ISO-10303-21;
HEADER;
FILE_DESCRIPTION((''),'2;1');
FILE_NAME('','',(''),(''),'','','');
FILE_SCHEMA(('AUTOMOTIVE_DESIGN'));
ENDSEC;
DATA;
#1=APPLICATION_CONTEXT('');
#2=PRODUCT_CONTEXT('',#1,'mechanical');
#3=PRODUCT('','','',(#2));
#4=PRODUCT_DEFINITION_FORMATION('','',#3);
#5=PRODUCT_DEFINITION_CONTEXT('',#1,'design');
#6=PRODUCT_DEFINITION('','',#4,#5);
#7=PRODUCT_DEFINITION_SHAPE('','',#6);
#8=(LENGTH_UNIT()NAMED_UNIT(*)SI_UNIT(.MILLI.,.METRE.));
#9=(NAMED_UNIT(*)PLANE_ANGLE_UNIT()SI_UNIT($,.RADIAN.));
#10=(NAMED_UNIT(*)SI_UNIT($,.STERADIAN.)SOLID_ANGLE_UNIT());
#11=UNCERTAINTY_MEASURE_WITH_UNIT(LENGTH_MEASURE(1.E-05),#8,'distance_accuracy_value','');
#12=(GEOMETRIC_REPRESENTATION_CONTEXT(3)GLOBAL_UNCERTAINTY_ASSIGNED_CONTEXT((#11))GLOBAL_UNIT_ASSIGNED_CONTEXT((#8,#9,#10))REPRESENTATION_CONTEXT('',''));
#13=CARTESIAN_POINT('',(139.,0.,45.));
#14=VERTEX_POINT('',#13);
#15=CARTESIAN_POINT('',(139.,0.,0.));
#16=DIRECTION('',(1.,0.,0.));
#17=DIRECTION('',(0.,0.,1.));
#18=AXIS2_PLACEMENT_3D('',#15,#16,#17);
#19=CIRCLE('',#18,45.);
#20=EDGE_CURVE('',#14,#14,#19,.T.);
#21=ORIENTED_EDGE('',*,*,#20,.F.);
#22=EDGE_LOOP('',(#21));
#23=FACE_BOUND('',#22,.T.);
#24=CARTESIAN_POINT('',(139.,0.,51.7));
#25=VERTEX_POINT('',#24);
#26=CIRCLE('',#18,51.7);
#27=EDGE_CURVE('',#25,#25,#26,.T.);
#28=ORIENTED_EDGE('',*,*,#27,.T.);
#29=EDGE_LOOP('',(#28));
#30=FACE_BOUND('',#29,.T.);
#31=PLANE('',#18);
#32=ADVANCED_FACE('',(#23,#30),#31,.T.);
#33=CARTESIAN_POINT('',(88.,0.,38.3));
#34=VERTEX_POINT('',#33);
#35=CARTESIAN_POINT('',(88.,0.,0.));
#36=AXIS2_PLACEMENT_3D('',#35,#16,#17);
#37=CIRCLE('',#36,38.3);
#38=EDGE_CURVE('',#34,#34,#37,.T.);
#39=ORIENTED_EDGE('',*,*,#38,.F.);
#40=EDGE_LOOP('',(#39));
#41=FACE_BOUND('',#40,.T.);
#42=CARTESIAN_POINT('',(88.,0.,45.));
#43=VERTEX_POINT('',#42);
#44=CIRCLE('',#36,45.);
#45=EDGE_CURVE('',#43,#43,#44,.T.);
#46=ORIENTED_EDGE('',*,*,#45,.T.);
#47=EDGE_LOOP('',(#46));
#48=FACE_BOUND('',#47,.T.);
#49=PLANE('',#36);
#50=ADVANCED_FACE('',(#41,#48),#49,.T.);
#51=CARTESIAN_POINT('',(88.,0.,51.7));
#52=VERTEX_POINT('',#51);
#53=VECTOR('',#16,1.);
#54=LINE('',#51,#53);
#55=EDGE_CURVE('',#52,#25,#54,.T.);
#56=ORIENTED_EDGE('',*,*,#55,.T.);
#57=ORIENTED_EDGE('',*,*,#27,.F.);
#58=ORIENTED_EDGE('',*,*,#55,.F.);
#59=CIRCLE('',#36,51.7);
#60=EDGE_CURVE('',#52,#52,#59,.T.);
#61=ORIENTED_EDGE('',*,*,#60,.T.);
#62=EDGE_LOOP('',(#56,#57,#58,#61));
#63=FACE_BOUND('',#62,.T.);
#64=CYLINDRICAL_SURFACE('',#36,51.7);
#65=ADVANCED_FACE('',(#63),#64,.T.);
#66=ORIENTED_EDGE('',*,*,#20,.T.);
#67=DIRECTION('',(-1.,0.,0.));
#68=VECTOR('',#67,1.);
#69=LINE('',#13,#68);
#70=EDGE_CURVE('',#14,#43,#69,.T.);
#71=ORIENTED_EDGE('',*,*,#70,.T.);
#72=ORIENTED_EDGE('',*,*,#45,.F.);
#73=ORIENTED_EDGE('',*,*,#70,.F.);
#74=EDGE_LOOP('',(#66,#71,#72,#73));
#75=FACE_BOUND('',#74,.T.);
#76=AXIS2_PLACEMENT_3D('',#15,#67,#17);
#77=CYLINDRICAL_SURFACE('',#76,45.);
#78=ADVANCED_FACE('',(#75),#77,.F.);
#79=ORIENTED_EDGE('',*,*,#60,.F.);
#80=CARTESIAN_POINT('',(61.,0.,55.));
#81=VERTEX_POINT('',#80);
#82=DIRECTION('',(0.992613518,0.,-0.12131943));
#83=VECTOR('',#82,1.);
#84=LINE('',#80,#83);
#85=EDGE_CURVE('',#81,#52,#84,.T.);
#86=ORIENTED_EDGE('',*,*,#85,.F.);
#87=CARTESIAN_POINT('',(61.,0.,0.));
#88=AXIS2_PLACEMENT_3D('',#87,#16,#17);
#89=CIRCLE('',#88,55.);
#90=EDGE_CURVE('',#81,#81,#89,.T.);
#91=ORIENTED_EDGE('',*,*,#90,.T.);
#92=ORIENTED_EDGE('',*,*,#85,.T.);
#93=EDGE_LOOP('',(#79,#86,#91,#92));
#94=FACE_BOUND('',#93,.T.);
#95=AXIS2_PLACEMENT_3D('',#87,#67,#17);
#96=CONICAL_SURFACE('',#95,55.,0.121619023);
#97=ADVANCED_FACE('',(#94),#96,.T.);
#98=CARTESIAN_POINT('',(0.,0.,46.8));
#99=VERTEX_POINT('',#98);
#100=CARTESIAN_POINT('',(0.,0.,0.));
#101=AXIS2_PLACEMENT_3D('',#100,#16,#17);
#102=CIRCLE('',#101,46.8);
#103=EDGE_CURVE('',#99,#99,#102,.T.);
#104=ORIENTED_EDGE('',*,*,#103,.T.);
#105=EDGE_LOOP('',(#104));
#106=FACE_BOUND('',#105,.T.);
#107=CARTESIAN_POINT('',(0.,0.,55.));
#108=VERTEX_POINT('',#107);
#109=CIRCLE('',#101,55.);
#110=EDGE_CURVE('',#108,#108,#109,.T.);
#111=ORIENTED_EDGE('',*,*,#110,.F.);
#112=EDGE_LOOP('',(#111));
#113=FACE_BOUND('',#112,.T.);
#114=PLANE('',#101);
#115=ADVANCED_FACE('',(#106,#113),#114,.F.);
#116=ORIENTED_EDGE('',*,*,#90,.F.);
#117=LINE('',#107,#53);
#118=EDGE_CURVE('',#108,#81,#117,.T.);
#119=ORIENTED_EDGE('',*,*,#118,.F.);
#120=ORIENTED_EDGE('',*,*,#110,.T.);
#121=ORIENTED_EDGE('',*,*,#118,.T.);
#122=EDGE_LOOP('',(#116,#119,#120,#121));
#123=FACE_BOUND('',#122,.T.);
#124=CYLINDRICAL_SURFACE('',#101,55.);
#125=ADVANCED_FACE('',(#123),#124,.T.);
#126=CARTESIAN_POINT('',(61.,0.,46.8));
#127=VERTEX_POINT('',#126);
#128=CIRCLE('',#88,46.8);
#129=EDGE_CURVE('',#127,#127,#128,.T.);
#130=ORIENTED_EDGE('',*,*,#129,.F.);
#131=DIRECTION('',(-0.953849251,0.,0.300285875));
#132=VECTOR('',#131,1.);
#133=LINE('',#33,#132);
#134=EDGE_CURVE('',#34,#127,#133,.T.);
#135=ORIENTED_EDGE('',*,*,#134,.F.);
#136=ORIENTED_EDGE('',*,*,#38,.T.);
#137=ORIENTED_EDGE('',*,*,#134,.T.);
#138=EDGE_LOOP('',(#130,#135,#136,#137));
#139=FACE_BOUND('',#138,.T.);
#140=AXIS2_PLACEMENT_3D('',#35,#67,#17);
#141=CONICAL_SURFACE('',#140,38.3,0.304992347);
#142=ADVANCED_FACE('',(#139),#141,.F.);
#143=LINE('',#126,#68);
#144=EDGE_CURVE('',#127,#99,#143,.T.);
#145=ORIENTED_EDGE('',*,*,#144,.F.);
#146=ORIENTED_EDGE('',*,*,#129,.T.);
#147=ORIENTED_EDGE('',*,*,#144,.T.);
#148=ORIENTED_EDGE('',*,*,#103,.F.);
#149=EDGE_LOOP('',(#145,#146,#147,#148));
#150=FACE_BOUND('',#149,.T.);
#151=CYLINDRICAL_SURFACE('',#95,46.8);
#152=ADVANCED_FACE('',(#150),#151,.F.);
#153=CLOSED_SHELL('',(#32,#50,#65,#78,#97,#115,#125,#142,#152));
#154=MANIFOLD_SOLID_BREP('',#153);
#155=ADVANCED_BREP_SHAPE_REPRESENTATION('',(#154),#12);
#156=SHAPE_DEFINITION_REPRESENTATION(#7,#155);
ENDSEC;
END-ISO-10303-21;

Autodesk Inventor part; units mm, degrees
ref_plane "YZ Plane" through (0, 0, 0) normal (1, 0, 0) x (0, 1, 0)
ref_plane "XZ Plane" through (0, 0, 0) normal (0, 1, 0) x (-1, 0, 0)
ref_plane "XY Plane" through (0, 0, 0) normal (0, 0, 1) x (1, 0, 0)
sketch "Sketch1" plane through (0, 0, 0) normal (0, 1, 0) x (-1, 0, 0)
  line L0 (0, 0) -> (-139, 0)
  line L1 (0, 0) -> (0, 46.8) construction
  line L2 (0, 46.8) -> (0, 55)
  line L3 (0, 55) -> (-61, 55)
  line L4 (-61, 55) -> (-88, 51.7)
  line L5 (-88, 51.7) -> (-139, 51.7)
  line L6 (-139, 51.7) -> (-139, 45)
  line L7 (-139, 45) -> (-88, 45)
  line L8 (-88, 45) -> (-88, 38.3)
  line L9 (-88, 38.3) -> (-61, 46.8)
  line L10 (-61, 46.8) -> (0, 46.8)
  line L11 (-139, 45) -> (-139, 0) construction
  line L12 (-88, 38.3) -> (-88, 0) construction
  line L13 (-88, 51.7) -> (-88, 45) construction
  line L14 (-61, 55) -> (-61, 46.8) construction
  line L15 (-61, 46.8) -> (-61, 0) construction
  dimension "d0" = 6.7
  dimension "d1" = 13.4
  dimension "d2" = 8.2
  dimension "d3" = 55
  dimension "d4" = 45
  dimension "d5" = 51
  dimension "d6" = 61
  dimension "d7" = 88
revolve "Revolve1" add sketch "Sketch1" angle 360 about axis through (0, 0, 0) along (1, 0, 0)
equation "\"d0\" = s2"
equation "\"d1\" = 2 * s2"
equation "\"d2\" = s1"
equation "\"d3\" = 0.5 * D1"
equation "\"d4\" = 0.5 * D2"
equation "\"d5\" = t2"
equation "\"d6\" = t1"
equation "\"d7\" = Z1"
equation "\"Z1\" = 88"
equation "\"t2\" = 51"
equation "\"s1\" = 8.2"
equation "\"s2\" = 6.7"
equation "\"t1\" = 61"
equation "\"Size_Designation\" = 1.2345"
equation "\"D1\" = 110"
equation "\"D2\" = 90"
properties part number "DIN 8063 Переходная втулка, тип R1 110 x 90" material "ПВХ, непластифицированный"
